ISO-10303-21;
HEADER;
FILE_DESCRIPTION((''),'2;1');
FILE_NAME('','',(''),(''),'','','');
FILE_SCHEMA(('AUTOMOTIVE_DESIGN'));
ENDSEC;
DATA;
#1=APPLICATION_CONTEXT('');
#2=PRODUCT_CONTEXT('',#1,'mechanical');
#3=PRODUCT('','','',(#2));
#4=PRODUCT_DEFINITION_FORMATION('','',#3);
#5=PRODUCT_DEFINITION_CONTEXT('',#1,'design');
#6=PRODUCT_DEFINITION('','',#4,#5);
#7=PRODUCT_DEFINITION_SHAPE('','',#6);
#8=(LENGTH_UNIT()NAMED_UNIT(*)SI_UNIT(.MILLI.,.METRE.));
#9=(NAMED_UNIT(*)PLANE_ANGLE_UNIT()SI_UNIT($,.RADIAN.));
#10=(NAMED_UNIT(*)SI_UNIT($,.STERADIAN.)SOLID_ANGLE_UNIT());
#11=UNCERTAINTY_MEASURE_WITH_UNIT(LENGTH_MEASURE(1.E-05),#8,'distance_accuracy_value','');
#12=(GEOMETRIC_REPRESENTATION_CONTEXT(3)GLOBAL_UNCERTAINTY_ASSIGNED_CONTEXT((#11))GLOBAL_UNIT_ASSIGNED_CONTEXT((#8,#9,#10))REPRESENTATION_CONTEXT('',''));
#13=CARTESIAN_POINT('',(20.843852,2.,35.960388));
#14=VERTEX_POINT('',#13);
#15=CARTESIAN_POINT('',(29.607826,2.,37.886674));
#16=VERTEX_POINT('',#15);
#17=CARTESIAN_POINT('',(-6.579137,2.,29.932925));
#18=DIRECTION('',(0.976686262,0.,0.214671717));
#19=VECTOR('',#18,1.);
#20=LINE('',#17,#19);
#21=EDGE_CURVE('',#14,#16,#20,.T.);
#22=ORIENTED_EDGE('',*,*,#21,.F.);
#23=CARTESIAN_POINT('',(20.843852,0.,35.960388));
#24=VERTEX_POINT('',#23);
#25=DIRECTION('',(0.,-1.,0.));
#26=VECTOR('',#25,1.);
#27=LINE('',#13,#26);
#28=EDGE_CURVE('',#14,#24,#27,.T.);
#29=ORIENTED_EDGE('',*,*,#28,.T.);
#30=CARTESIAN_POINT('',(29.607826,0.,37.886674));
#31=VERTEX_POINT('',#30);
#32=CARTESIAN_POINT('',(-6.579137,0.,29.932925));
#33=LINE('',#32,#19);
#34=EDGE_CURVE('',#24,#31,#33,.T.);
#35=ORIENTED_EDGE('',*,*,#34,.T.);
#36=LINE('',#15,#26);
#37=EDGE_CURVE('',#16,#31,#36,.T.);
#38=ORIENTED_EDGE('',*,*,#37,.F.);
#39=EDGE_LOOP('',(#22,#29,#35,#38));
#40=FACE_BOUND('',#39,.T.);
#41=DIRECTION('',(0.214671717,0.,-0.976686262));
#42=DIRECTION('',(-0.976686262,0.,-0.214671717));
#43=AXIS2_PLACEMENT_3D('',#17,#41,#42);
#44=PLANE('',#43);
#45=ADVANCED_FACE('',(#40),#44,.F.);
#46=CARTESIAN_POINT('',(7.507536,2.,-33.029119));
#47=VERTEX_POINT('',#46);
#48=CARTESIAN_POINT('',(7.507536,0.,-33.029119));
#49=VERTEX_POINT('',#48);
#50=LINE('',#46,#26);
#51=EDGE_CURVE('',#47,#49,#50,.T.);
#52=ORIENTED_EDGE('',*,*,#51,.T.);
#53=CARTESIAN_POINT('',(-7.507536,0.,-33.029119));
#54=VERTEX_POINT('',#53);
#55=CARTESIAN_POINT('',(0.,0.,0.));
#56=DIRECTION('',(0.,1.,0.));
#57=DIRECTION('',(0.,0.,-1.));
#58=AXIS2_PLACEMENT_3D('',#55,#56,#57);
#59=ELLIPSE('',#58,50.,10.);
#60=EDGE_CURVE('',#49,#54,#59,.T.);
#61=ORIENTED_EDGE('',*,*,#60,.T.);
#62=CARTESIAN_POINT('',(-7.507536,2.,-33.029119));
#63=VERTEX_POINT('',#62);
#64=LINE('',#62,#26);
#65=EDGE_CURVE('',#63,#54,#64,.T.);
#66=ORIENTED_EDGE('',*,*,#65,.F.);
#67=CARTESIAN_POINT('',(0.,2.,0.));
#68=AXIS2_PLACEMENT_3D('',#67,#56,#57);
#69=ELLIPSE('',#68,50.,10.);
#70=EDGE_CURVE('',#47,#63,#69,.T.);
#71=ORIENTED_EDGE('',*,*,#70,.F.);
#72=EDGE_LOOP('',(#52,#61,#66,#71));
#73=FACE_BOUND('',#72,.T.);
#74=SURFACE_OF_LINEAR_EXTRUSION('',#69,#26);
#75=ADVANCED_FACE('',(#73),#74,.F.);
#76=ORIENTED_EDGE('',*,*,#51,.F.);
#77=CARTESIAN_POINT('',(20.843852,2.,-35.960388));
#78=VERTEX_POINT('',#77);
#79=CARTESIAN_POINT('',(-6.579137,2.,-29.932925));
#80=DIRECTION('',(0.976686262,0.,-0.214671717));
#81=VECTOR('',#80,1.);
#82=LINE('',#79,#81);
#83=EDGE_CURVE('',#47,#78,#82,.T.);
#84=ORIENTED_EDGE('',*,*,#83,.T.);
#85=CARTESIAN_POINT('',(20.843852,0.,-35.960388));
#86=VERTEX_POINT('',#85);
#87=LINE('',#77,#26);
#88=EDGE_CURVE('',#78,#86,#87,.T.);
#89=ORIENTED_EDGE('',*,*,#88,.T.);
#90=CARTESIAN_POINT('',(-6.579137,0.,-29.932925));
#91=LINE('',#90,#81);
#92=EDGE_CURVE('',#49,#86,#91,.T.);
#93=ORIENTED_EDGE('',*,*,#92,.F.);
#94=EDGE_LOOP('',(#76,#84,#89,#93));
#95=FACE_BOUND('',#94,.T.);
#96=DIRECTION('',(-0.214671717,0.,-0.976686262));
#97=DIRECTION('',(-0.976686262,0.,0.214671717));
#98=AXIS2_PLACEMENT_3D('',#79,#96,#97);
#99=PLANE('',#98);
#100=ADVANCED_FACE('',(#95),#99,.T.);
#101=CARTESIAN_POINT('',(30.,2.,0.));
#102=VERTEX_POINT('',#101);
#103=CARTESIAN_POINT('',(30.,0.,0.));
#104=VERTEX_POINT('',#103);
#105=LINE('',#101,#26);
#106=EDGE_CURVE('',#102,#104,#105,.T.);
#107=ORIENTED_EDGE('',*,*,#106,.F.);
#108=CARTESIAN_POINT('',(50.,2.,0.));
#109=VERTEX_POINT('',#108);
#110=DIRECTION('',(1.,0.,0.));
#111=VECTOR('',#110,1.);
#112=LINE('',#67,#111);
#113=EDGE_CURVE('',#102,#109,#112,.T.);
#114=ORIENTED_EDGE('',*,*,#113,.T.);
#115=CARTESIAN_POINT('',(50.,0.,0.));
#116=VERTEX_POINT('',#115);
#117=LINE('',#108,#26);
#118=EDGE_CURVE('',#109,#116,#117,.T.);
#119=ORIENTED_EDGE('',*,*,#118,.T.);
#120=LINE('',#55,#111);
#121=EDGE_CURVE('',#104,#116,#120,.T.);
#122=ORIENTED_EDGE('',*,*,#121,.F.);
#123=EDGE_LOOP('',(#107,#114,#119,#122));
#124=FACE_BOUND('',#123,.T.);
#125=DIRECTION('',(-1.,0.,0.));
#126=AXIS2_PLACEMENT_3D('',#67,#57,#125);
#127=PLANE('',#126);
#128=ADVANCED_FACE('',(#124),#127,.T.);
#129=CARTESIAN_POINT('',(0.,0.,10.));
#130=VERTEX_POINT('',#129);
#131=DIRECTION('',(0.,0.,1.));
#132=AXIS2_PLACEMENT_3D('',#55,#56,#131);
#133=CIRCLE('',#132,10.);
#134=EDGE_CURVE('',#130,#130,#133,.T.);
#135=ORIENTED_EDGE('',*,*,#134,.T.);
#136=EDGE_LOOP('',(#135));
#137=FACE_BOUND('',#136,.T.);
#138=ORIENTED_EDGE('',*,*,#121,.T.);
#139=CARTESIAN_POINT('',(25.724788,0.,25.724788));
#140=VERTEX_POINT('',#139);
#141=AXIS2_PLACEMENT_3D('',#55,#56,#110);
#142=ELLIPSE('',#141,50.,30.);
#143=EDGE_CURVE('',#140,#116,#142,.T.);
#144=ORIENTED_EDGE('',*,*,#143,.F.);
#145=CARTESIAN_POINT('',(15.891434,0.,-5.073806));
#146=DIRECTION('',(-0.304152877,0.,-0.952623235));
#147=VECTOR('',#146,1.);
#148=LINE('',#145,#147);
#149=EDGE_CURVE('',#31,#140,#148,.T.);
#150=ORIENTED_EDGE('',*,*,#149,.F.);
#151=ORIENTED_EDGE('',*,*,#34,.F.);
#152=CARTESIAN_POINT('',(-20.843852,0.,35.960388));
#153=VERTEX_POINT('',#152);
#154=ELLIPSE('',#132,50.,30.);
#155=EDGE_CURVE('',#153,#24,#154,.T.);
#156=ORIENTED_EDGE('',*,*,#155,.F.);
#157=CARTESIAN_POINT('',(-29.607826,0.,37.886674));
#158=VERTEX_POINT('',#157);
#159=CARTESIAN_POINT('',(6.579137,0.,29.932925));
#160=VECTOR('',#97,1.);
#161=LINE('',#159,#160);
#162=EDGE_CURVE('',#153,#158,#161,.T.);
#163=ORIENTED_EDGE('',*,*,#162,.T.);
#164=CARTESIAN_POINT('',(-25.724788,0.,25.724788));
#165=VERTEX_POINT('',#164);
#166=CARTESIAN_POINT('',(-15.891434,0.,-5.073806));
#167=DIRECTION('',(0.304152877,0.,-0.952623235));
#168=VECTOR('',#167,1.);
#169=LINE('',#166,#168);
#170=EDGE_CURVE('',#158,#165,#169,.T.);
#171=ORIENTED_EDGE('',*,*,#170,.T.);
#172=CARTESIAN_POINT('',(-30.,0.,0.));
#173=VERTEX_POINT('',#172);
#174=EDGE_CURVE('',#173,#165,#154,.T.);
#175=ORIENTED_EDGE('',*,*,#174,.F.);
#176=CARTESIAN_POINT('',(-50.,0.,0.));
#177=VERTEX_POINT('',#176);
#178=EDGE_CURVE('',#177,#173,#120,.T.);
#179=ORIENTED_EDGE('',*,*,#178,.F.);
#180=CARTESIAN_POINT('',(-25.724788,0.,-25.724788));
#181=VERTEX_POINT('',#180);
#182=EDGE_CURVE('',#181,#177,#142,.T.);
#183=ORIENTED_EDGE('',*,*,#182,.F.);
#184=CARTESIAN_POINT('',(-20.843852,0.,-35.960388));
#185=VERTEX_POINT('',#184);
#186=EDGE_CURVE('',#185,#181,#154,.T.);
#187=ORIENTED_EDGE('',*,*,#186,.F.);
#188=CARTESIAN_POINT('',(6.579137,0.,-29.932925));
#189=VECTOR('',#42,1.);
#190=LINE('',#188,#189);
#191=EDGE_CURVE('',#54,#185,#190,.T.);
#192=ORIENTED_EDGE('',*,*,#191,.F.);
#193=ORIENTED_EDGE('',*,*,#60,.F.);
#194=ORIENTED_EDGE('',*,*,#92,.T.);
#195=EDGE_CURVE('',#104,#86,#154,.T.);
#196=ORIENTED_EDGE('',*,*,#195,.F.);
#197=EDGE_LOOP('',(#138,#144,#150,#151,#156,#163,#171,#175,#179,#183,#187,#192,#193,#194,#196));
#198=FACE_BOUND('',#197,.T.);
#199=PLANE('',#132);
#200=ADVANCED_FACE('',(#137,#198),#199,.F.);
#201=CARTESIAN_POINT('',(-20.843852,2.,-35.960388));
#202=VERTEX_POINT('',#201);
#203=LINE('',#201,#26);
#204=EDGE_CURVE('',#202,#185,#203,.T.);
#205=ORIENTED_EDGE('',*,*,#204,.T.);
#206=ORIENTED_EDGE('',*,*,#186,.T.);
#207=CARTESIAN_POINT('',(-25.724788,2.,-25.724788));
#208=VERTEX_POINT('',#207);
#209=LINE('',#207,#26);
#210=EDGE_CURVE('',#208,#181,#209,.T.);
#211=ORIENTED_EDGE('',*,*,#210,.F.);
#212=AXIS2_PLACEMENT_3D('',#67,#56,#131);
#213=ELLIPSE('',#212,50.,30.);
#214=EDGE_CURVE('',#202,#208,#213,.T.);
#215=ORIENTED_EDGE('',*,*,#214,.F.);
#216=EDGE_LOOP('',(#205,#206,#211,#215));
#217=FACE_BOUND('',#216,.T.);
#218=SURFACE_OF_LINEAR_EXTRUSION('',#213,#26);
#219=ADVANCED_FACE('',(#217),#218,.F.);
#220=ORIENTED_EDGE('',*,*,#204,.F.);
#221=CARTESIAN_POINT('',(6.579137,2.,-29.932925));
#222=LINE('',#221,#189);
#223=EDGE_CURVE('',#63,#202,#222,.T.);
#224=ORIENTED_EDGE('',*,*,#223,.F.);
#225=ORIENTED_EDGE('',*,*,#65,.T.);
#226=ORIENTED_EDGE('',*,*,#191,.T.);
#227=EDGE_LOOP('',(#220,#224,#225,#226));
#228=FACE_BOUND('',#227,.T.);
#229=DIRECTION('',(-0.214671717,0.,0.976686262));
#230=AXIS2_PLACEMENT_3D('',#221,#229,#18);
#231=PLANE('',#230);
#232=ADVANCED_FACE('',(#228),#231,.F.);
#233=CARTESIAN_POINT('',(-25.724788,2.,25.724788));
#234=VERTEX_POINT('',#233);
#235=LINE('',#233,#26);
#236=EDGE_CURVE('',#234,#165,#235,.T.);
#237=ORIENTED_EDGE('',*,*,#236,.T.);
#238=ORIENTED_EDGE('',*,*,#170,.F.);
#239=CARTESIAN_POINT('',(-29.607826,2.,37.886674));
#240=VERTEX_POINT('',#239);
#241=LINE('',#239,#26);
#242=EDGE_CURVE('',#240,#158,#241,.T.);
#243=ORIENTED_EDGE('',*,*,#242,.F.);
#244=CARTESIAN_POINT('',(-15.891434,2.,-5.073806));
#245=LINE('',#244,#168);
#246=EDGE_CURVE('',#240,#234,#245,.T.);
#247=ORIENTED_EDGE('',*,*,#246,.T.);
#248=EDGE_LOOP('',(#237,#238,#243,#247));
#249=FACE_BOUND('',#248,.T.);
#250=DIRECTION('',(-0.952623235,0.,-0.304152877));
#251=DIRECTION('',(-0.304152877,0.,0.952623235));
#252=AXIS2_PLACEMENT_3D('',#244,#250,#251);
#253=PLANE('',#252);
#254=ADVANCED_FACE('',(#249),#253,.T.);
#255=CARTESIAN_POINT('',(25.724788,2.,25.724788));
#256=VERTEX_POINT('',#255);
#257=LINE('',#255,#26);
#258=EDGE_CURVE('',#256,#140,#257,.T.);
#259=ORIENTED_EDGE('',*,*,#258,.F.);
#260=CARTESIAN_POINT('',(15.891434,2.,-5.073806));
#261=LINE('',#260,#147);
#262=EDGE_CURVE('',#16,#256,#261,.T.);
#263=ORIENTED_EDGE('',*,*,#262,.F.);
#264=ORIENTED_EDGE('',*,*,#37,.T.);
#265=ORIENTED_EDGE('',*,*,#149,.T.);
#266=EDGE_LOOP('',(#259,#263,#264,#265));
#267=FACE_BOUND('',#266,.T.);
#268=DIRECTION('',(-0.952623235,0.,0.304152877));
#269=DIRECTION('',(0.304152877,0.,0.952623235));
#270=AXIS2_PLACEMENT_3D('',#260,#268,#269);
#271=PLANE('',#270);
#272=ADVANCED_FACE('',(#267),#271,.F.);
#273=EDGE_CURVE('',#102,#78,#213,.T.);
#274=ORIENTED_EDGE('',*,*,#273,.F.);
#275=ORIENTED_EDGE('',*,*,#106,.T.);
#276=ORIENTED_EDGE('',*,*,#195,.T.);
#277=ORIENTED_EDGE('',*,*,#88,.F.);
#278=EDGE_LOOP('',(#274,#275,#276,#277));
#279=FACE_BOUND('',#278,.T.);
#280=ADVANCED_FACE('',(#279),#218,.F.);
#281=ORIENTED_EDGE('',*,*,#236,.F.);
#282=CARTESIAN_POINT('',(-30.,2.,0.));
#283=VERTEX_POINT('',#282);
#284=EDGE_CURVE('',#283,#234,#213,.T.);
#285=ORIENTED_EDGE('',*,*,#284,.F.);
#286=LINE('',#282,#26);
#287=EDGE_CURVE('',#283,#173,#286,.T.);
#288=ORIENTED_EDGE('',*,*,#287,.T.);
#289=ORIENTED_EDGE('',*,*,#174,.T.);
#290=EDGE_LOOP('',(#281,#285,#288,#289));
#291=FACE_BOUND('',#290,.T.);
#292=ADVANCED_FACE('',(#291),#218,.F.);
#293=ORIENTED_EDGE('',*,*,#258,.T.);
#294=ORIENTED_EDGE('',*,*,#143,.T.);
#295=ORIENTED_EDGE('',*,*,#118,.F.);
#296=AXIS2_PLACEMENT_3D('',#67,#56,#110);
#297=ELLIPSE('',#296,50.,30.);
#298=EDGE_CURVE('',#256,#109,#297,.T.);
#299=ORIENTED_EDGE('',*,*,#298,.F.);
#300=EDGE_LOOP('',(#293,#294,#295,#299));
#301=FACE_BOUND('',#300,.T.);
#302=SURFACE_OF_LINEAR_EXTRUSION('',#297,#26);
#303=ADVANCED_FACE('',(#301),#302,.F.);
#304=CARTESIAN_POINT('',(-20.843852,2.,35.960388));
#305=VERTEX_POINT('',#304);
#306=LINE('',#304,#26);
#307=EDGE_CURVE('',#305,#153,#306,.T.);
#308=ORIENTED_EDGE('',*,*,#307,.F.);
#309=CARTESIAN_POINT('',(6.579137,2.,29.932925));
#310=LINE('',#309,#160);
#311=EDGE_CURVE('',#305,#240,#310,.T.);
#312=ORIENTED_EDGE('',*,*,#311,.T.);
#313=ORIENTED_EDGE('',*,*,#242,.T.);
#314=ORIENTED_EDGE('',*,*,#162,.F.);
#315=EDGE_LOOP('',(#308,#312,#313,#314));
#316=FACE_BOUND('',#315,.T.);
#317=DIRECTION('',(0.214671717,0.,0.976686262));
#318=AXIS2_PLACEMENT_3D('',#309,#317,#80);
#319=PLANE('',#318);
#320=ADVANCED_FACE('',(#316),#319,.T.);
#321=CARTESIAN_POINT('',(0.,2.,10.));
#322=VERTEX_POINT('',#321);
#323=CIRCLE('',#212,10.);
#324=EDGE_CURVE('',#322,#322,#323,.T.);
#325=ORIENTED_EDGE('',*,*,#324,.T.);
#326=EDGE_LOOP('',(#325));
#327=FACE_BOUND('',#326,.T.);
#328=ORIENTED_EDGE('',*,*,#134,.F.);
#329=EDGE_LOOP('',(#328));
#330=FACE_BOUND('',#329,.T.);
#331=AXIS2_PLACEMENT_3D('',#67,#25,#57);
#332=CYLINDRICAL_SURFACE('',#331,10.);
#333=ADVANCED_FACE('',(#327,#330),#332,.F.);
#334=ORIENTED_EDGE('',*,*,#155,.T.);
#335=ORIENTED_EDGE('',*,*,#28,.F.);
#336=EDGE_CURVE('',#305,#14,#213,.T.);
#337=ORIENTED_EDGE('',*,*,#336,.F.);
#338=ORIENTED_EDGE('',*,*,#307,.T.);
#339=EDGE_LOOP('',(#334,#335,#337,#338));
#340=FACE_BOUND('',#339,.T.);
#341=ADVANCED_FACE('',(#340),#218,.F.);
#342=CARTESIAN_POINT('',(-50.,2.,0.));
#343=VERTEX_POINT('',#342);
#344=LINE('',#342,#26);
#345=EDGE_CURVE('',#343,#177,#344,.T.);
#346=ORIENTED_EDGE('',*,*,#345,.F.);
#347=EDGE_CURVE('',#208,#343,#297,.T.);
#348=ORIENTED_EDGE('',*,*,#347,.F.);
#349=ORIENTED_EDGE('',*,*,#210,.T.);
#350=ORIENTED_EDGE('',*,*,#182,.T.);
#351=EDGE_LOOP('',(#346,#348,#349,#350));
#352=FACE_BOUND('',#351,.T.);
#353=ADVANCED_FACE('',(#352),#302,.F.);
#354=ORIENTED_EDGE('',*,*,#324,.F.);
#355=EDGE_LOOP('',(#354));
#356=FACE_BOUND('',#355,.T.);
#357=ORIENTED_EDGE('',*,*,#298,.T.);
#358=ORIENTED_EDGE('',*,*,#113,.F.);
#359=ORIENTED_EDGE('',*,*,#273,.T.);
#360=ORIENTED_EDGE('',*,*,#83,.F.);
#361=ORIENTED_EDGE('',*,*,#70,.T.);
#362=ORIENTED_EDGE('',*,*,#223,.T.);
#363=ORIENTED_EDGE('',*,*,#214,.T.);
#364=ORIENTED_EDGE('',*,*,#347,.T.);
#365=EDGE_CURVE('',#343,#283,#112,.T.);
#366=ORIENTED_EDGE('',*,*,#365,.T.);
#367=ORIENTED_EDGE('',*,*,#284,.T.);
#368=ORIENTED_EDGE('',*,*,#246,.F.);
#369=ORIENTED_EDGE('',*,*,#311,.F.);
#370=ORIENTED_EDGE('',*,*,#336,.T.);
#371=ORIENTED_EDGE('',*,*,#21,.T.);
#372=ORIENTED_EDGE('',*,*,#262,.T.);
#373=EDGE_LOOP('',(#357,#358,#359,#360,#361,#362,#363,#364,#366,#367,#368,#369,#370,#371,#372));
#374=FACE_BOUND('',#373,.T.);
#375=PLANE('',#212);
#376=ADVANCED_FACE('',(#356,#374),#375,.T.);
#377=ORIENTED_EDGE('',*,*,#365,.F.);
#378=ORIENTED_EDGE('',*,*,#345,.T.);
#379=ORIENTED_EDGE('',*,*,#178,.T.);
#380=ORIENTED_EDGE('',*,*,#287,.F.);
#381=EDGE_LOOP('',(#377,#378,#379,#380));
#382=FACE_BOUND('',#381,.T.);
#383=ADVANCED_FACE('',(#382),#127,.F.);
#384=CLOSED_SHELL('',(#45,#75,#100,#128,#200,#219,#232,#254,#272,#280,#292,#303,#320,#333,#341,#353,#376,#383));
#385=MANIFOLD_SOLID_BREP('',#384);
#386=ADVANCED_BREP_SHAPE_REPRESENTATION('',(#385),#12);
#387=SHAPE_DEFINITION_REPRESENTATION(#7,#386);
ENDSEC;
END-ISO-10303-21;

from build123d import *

# Parameters (mm, degrees)
SZKIC1_R                    = 10
DODANIE_WYCI_GNI_CIE1_DEPTH = 2


with BuildPart() as part:
    # Szkic1 → Dodanie-wyciągnięcie1 (new body)
    with BuildSketch(Plane(origin=(0, 0, 0), x_dir=(1, 0, 0), z_dir=(0, 1, 0))):
        with BuildLine():
            add(Edge.make_bspline(
                [(25.724787771, -25.724787771), (50, -16.985711369), (50, 0)],
                knots=[5.252808481, 5.252808481, 5.252808481, 6.283185307, 6.283185307, 6.283185307], degree=2, weights=[1, 0.870199907, 1]))
            Line((50, 0), (30, 0))
            add(Edge.make_bspline(
                [(30, 0), (30, 13.849198247), (25.724787771, 25.724787771)],
                knots=[1.570796327, 1.570796327, 1.570796327, 2.111215827, 2.111215827, 2.111215827], degree=2, weights=[1, 0.963714928, 1]))
            add(Edge.make_bspline(
                [(25.724787771, 25.724787771), (23.68927397, 31.378992774), (20.843852414, 35.960387795)],
                knots=[2.111215827, 2.111215827, 2.111215827, 2.373457716, 2.373457716, 2.373457716], degree=2, weights=[1, 0.991415958, 1]))
            Line((20.843852414, 35.960387795), (7.507535684, 33.029118956))
            add(Edge.make_bspline(
                [(7.507535684, 33.029118956), (5.218865934, 46.034514162), (1.811566447, 49.17271271)],
                knots=[5.433983203, 5.433983203, 5.433983203, 6.101022879, 6.101022879, 6.101022879], degree=2, weights=[1, 0.944895907, 1]))
            add(Edge.make_bspline(
                [(1.811566447, 49.17271271), (0.913339162, 50), (0, 50)],
                knots=[6.101022879, 6.101022879, 6.101022879, 6.283185307, 6.283185307, 6.283185307], degree=2, weights=[1, 0.995854973, 1]))
            add(Edge.make_bspline(
                [(0, 50), (-0.913339162, 50), (-1.811566447, 49.17271271)],
                knots=[0, 0, 0, 0.182162428, 0.182162428, 0.182162428], degree=2, weights=[1, 0.995854973, 1]))
            add(Edge.make_bspline(
                [(-1.811566447, 49.17271271), (-5.218865934, 46.034514162), (-7.507535684, 33.029118956)],
                knots=[0.182162428, 0.182162428, 0.182162428, 0.849202104, 0.849202104, 0.849202104], degree=2, weights=[1, 0.944895907, 1]))
            Line((-7.507535684, 33.029118956), (-20.843852414, 35.960387795))
            add(Edge.make_bspline(
                [(-20.843852414, 35.960387795), (-23.68927397, 31.378992774), (-25.724787771, 25.724787771)],
                knots=[3.909727591, 3.909727591, 3.909727591, 4.17196948, 4.17196948, 4.17196948], degree=2, weights=[1, 0.991415958, 1]))
            add(Edge.make_bspline(
                [(-25.724787771, 25.724787771), (-50, 16.985711369), (-50, 0)],
                knots=[2.111215827, 2.111215827, 2.111215827, 3.141592654, 3.141592654, 3.141592654], degree=2, weights=[1, 0.870199907, 1]))
            Line((-50, 0), (-30, 0))
            add(Edge.make_bspline(
                [(-30, 9.5e-08), (-30.000000016, -13.849198204), (-25.724787771, -25.724787771)],
                knots=[4.712388978, 4.712388978, 4.712388978, 5.252808481, 5.252808481, 5.252808481], degree=2, weights=[1, 0.963714928, 1]))
            Line((-25.724787771, -25.724787771), (-29.607826273, -37.88667404))
            Line((-29.607826273, -37.88667404), (-20.843852414, -35.960387795))
            add(Edge.make_bspline(
                [(-20.843852414, -35.960387795), (-12.774167321, -48.953336072), (-1.56928672, -49.931545896)],
                knots=[5.51505037, 5.51505037, 5.51505037, 6.230851865, 6.230851865, 6.230851865], degree=2, weights=[1, 0.936634273, 1]))
            add(Edge.make_bspline(
                [(-1.56928672, -49.931545896), (-0.785180849, -50), (0, -50)],
                knots=[6.230851865, 6.230851865, 6.230851865, 6.283185307, 6.283185307, 6.283185307], degree=2, weights=[1, 0.999657671, 1]))
            add(Edge.make_bspline(
                [(0, -50), (0.785180849, -50), (1.56928672, -49.931545896)],
                knots=[0, 0, 0, 0.052333442, 0.052333442, 0.052333442], degree=2, weights=[1, 0.999657671, 1]))
            add(Edge.make_bspline(
                [(1.56928672, -49.931545896), (12.774167321, -48.953336072), (20.843852414, -35.960387795)],
                knots=[0.052333442, 0.052333442, 0.052333442, 0.768134938, 0.768134938, 0.768134938], degree=2, weights=[1, 0.936634273, 1]))
            Line((20.843852414, -35.960387795), (29.607826273, -37.88667404))
            Line((29.607826273, -37.88667404), (25.724787771, -25.724787771))
        make_face()
        with Locations(Location((0, 0, 0), (0, 0, 270))):
            Circle(SZKIC1_R, mode=Mode.SUBTRACT)
    extrude(amount=DODANIE_WYCI_GNI_CIE1_DEPTH)


solid = part.part
